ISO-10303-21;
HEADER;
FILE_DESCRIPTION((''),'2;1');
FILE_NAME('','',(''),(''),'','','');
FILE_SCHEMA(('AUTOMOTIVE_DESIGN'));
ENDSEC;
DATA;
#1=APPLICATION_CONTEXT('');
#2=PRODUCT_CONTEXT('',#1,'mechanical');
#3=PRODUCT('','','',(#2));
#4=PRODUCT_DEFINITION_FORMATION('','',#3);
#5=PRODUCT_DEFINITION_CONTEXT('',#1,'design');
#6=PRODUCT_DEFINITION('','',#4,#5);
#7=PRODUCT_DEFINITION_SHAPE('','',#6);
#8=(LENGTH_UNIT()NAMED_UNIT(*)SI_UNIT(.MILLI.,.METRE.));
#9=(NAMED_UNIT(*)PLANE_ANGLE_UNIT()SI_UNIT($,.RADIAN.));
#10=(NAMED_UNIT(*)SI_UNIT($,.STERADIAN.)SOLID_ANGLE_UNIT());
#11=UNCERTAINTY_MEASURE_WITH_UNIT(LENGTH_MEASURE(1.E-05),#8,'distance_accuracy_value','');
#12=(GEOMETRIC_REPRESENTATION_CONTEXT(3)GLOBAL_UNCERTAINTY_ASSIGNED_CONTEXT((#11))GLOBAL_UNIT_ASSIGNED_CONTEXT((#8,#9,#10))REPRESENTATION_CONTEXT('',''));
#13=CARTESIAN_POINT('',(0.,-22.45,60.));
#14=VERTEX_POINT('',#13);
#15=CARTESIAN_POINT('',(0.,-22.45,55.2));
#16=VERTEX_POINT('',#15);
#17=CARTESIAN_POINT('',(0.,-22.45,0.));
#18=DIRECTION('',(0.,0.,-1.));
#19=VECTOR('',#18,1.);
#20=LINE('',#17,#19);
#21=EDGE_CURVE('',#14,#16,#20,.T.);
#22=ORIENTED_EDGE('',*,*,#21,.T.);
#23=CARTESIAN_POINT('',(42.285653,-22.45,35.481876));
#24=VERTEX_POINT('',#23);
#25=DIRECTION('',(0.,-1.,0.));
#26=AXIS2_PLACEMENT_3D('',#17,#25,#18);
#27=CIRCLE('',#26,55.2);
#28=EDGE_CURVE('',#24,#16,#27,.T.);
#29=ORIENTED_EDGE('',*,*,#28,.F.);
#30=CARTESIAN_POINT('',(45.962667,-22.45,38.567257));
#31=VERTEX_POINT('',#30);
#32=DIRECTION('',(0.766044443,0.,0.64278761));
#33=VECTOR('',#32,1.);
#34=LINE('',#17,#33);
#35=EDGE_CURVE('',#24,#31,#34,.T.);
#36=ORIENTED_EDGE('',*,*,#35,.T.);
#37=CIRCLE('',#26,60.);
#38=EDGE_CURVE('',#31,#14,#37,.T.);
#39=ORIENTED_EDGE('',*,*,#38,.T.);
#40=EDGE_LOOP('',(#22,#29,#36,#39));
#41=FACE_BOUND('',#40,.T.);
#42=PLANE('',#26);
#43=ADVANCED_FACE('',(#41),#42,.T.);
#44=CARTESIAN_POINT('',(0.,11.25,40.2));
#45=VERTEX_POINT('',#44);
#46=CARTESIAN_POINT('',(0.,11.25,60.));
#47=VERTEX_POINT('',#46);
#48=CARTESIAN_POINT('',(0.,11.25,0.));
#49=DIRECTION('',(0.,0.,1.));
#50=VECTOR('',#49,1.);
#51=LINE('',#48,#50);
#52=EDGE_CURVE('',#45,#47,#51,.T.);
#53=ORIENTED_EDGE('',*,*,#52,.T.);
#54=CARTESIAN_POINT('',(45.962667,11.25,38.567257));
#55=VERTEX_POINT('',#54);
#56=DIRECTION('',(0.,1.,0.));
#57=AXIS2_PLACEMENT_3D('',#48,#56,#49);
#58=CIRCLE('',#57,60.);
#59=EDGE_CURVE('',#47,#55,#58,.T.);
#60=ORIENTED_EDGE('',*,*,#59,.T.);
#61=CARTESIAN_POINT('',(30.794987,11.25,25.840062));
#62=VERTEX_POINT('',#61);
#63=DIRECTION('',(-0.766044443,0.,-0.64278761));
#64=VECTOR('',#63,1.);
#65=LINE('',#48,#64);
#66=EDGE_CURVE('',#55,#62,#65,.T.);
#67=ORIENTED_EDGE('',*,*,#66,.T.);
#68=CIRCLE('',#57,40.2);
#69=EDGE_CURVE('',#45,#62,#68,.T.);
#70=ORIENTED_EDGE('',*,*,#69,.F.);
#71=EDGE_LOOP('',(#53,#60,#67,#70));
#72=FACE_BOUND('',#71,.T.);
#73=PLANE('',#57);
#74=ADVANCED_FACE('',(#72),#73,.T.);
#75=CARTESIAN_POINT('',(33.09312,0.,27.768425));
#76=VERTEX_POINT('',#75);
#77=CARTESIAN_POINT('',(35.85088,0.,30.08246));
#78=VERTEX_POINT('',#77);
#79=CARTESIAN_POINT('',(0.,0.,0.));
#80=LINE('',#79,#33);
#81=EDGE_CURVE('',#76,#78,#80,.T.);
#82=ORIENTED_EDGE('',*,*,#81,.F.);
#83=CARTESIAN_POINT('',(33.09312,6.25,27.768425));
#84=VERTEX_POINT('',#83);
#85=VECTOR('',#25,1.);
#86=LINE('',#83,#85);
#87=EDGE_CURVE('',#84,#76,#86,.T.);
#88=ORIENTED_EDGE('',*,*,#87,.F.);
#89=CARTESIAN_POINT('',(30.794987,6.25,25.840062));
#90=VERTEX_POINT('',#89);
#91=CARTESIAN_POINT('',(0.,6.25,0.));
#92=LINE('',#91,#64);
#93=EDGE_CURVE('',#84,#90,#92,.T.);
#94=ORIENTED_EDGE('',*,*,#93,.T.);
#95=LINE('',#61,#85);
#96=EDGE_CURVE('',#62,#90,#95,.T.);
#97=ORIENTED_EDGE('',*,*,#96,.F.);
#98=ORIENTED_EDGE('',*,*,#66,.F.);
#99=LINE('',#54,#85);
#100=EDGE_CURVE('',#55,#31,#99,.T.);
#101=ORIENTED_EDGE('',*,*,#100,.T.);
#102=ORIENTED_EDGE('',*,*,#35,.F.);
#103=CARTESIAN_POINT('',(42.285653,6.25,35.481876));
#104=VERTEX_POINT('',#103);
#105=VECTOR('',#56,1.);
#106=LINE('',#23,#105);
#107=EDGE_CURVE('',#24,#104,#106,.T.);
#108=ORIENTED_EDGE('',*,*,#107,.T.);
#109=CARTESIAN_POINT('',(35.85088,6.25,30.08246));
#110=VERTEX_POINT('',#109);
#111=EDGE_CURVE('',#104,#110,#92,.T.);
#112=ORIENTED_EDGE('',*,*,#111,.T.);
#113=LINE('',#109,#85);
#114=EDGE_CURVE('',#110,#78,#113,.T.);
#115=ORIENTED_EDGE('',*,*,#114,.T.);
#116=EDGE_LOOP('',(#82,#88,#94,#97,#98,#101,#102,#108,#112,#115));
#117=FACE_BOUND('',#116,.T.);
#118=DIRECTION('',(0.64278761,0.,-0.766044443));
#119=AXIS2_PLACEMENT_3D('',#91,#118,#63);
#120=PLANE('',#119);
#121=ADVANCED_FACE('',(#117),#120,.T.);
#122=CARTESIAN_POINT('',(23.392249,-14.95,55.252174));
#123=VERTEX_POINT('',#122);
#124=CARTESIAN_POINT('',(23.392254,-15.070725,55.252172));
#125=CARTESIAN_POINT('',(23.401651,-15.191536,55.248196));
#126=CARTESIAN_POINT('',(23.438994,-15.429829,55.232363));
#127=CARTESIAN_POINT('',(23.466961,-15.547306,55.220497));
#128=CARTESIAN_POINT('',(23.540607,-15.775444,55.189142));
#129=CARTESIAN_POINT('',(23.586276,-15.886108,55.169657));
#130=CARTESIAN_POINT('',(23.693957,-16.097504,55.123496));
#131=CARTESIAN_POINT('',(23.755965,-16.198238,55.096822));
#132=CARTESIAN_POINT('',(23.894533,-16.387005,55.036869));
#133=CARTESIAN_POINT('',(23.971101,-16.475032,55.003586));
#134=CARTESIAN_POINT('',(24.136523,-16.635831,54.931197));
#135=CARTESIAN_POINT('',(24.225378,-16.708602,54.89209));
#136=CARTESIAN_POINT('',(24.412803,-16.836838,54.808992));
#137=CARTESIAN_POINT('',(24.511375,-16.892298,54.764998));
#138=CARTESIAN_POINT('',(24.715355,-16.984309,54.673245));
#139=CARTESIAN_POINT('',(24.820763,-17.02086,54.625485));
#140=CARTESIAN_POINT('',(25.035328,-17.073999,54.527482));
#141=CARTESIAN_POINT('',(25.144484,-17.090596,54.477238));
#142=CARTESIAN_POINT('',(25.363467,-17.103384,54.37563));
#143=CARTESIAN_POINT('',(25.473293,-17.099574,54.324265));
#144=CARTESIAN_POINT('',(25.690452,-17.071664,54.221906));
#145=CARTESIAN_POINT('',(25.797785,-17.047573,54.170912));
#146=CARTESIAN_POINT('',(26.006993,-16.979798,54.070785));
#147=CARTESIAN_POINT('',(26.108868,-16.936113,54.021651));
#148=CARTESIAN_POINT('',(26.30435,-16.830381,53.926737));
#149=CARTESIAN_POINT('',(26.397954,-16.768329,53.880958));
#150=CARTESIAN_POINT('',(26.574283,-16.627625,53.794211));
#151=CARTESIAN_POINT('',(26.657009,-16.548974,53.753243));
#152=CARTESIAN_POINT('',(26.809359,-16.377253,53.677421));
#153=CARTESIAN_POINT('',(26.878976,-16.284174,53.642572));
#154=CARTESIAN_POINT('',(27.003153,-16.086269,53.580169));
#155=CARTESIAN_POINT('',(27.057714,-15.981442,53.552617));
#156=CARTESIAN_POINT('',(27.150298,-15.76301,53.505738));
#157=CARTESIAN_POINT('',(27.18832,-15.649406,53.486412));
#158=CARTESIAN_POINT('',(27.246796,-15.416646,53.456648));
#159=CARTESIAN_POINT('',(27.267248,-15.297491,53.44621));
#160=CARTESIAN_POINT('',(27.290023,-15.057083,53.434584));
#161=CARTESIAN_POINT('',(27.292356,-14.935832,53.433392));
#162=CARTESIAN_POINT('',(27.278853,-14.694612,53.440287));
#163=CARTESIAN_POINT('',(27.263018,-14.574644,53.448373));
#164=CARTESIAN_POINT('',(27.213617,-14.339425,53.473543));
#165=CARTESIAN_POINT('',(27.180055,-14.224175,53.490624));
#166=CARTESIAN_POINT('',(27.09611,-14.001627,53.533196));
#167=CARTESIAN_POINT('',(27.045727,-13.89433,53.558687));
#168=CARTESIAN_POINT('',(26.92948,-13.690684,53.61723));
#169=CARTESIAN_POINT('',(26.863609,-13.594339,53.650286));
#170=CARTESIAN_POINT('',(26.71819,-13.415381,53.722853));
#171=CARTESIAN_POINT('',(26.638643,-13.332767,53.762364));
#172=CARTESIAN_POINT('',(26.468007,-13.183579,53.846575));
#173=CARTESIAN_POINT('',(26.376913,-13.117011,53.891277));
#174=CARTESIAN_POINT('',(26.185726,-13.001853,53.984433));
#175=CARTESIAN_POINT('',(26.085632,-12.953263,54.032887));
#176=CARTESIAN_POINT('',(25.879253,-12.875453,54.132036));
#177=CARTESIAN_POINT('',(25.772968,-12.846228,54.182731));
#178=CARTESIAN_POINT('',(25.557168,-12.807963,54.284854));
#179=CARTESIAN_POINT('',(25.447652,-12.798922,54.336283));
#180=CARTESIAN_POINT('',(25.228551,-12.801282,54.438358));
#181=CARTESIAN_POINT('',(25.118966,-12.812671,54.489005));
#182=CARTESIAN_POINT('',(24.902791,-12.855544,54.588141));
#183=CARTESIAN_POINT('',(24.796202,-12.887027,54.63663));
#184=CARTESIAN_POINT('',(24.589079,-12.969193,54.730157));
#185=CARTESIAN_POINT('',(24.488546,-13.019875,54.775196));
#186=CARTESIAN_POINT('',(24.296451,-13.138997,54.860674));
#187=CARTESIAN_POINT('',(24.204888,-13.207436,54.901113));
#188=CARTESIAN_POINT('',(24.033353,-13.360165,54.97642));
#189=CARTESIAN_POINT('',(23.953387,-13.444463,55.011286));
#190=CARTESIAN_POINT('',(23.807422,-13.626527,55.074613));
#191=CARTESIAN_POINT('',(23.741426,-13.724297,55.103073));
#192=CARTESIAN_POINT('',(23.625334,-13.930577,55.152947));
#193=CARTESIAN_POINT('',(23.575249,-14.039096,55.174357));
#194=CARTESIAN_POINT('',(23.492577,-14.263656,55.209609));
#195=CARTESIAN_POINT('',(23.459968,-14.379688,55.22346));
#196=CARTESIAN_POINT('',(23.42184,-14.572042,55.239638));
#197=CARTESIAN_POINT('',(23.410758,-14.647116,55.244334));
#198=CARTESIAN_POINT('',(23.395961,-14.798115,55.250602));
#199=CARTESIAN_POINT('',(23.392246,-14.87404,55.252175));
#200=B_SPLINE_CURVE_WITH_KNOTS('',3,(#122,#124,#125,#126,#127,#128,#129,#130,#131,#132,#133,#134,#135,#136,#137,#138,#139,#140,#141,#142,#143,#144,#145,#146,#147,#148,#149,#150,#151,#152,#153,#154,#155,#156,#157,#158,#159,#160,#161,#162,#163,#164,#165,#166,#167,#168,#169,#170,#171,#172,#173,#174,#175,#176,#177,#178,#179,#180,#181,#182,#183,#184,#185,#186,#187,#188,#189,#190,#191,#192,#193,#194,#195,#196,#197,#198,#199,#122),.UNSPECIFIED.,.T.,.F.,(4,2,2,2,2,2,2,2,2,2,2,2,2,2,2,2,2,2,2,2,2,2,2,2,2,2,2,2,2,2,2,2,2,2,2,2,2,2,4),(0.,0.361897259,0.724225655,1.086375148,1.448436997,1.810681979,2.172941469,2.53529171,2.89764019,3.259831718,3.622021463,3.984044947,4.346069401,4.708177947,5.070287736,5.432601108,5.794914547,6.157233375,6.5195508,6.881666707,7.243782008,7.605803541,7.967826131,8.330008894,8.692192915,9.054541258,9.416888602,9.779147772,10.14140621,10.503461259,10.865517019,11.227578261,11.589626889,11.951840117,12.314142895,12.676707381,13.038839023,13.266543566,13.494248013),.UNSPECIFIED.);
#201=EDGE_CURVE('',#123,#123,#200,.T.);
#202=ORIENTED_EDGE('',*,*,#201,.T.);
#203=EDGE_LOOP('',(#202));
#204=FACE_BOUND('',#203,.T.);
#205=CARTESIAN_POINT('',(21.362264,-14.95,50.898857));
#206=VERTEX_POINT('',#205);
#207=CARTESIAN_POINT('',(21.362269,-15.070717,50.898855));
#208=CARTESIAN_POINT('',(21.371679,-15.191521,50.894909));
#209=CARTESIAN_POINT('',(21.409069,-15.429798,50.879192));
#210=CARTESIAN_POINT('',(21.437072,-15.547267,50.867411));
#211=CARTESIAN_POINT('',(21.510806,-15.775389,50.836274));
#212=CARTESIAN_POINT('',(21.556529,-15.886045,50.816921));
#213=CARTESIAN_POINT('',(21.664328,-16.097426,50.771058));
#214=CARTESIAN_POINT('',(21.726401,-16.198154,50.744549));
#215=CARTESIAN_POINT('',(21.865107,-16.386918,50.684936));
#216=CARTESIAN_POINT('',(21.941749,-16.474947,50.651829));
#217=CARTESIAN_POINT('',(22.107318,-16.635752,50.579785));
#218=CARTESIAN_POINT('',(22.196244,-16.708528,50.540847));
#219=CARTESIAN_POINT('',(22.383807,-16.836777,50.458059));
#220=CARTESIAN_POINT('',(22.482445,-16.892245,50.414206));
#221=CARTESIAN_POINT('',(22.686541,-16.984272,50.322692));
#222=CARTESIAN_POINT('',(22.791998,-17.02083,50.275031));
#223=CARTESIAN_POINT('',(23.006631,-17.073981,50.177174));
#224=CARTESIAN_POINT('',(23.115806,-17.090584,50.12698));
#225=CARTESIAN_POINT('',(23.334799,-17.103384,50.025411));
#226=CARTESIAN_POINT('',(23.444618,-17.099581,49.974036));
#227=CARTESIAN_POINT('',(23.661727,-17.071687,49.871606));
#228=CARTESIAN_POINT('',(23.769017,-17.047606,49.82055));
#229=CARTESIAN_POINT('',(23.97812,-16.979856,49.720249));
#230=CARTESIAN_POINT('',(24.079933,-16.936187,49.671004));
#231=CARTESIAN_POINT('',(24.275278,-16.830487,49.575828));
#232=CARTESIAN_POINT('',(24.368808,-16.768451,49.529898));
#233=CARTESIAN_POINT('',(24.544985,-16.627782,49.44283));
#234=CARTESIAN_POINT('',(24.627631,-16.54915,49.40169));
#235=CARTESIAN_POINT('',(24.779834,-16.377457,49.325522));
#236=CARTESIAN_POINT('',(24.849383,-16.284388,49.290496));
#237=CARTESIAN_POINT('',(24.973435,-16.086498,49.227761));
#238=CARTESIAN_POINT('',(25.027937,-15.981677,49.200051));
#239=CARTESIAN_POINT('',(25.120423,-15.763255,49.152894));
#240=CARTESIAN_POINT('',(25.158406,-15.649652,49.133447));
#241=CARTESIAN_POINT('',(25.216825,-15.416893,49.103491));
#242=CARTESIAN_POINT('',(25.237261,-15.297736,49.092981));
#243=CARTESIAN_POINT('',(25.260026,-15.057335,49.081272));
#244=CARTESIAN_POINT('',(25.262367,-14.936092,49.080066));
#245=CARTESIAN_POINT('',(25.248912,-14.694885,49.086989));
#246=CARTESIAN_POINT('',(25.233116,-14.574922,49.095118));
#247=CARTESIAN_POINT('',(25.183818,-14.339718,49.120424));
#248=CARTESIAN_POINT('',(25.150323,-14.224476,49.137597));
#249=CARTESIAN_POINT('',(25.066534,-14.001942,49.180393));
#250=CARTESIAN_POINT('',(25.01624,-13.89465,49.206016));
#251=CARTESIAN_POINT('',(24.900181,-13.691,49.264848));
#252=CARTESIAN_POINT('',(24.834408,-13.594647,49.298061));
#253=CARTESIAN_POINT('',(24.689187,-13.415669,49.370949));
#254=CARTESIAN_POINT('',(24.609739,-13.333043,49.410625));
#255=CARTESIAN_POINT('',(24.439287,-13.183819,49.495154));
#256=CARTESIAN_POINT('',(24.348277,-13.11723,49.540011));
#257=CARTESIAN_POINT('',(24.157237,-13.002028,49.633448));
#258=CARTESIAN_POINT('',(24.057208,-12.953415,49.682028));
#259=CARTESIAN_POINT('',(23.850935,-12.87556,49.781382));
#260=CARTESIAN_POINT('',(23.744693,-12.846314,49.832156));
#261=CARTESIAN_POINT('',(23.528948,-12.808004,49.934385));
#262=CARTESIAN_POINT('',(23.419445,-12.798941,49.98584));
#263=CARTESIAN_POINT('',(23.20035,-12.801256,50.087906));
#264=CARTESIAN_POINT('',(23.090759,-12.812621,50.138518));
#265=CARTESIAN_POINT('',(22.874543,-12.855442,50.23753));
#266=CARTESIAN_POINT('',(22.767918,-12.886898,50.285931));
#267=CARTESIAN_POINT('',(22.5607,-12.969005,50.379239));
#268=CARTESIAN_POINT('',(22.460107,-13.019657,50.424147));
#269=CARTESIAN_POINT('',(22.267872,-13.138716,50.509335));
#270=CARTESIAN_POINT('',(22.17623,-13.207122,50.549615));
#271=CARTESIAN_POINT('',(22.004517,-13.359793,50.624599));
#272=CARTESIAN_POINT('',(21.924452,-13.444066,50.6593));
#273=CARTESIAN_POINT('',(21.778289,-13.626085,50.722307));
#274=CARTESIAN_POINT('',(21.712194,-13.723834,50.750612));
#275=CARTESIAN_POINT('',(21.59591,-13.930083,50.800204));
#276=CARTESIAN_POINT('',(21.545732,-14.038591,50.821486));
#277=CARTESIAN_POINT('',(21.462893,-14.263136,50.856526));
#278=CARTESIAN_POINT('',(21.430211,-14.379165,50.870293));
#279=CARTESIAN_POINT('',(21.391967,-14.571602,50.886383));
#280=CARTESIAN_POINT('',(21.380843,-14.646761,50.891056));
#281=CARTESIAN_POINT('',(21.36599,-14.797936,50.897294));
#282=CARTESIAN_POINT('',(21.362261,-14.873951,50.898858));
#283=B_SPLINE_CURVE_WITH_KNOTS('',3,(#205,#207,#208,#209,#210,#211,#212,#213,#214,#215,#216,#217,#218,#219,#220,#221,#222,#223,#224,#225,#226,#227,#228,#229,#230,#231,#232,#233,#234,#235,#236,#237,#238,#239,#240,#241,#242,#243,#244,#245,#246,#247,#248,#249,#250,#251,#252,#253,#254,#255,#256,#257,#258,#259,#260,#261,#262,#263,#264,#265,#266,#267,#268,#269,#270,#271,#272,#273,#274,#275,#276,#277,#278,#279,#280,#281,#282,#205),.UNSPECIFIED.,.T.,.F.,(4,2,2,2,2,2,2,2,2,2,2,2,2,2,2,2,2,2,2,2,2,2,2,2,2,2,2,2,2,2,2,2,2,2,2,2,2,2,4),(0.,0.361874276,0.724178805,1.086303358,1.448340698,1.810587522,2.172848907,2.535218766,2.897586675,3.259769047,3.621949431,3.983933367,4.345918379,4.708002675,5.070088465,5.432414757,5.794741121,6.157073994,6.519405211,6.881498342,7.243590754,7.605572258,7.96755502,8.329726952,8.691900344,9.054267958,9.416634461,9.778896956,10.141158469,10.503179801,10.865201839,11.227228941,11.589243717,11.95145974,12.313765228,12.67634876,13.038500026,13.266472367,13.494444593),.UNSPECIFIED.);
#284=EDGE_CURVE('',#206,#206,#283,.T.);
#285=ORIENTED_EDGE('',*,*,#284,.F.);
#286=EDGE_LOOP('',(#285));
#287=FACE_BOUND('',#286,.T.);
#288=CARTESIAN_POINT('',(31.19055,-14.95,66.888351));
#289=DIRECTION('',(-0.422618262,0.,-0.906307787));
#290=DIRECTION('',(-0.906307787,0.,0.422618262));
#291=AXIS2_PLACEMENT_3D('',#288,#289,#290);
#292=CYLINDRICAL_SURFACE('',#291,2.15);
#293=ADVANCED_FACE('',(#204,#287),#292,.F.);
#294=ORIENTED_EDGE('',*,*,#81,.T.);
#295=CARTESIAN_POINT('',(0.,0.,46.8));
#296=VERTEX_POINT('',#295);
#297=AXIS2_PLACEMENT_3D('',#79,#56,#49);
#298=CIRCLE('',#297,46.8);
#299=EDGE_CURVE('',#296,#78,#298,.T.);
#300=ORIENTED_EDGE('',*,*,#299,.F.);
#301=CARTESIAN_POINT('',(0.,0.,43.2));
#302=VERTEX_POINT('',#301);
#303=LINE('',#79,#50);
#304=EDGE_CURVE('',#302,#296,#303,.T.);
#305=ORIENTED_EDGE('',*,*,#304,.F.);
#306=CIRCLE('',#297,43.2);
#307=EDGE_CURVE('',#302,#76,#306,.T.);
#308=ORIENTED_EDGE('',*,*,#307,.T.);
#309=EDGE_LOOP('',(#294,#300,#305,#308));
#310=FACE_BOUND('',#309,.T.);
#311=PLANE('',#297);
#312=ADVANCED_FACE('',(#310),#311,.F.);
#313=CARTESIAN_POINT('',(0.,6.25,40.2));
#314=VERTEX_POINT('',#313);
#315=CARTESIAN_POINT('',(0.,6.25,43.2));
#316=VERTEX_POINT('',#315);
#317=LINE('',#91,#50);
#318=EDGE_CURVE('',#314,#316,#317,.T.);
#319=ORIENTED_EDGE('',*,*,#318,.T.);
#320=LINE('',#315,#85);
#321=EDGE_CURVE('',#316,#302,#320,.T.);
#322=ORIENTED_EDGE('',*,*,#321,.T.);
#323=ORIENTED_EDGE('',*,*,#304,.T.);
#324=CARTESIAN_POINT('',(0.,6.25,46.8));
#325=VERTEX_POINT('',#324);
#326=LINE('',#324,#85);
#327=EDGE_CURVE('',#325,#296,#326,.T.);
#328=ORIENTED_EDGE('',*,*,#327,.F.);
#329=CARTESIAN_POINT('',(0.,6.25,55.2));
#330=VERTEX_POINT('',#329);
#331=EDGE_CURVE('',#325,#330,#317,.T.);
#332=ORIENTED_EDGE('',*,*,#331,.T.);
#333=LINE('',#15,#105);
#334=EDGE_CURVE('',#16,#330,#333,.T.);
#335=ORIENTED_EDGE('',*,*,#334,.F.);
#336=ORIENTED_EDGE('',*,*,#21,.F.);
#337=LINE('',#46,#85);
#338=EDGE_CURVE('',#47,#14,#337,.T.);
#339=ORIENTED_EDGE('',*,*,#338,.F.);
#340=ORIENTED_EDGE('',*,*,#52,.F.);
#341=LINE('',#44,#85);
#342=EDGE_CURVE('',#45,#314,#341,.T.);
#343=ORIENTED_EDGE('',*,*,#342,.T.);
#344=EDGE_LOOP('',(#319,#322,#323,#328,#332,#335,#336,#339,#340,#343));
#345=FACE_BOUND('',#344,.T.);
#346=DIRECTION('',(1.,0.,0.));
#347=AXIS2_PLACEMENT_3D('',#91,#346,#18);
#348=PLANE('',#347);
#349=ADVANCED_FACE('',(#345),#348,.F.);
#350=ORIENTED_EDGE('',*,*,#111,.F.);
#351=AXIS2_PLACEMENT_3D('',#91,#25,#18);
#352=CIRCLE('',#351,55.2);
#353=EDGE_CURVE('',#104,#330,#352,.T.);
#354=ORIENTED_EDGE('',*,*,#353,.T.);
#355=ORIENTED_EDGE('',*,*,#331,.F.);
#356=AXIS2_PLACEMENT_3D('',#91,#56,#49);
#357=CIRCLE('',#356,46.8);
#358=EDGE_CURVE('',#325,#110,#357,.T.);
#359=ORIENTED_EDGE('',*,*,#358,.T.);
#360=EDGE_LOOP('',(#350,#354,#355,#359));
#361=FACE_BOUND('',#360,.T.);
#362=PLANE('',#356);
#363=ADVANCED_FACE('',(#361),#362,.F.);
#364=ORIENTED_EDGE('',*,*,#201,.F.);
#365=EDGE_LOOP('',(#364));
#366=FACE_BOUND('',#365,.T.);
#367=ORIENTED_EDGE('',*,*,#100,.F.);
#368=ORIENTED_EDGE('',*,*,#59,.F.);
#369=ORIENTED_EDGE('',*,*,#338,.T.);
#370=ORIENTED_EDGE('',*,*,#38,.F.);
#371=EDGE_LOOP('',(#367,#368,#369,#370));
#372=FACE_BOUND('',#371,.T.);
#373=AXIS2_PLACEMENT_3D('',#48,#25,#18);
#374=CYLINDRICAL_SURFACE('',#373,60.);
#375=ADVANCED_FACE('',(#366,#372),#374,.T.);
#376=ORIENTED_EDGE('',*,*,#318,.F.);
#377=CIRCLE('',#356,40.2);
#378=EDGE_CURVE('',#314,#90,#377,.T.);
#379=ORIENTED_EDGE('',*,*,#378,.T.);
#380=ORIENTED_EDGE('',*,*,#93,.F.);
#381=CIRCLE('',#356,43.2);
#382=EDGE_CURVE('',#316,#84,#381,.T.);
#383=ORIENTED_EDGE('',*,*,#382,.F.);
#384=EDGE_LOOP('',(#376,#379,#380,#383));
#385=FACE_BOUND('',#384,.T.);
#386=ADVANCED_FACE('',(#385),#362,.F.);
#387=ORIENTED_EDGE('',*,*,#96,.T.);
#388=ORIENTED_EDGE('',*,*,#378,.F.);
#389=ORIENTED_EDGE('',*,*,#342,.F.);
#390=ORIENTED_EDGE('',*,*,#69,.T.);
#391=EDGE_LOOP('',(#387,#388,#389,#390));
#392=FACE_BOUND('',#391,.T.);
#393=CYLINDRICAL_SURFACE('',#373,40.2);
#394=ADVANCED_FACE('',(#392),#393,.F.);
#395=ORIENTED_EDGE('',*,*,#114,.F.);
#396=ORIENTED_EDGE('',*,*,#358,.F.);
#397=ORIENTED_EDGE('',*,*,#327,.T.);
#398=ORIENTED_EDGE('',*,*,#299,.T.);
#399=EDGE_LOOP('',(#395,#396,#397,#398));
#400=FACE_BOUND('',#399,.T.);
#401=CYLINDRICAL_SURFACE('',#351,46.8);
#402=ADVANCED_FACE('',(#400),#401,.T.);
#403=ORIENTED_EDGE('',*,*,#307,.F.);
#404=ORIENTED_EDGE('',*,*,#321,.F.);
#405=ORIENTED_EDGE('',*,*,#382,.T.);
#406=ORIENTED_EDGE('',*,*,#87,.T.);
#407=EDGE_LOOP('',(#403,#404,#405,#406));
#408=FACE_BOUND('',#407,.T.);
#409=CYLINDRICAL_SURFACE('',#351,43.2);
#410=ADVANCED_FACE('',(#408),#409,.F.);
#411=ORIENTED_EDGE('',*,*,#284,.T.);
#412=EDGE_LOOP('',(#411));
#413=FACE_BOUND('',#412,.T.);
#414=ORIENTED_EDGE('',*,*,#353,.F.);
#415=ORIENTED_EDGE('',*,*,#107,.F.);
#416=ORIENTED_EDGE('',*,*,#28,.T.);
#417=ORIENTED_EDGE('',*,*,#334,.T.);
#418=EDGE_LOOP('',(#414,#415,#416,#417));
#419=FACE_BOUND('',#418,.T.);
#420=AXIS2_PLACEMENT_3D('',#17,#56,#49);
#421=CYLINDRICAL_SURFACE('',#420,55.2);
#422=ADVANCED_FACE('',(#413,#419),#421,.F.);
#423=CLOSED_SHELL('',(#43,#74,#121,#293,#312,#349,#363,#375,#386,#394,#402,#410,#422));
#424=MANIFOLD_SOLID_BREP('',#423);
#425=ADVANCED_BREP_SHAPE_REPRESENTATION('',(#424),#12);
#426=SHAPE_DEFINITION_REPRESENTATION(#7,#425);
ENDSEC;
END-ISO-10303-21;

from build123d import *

# Parameters (mm, degrees)
BOSS_EXTRUDE1_DEPTH   = 6.25
BOSS_EXTRUDE2_DEPTH   = 5
BOSS_EXTRUDE3_START   = 28.7
BOSS_EXTRUDE3_DEPTH   = 28.7
SKETCH4_R             = 2.15
M4_THROUGH_HOLE_DEPTH = 47.541927843


with BuildPart() as part:
    # Sketch1 → Boss-Extrude1 (new body)
    with BuildSketch(Plane(origin=(0, 0, 0), x_dir=(1, 0, 0), z_dir=(0, 1, 0))):
        with BuildLine():
            ThreePointArc((33.093119943, -27.768424738), (18.257108907, -39.1524964), (0, -43.2))
            Line((0, -43.2), (0, -46.8))
            ThreePointArc((0, -46.8), (19.778534649, -42.415204433), (35.850879938, -30.082460133))
            Line((35.850879938, -30.082460133), (33.093119943, -27.768424738))
        make_face()
    extrude(amount=BOSS_EXTRUDE1_DEPTH)

    # Sketch2 → Boss-Extrude2 (add)
    with BuildSketch(Plane(origin=(0, 6.25, 0), x_dir=(1, 0, 0), z_dir=(0, 1, 0))):
        with BuildLine():
            ThreePointArc((35.850879938, -30.082460133), (19.778534649, -42.415204433), (0, -46.8))
            Line((0, -46.8), (0, -60))
            ThreePointArc((0, -60), (25.357095704, -54.378467222), (45.962666587, -38.567256581))
            Line((45.962666587, -38.567256581), (35.850879938, -30.082460133))
        make_face()
        with BuildLine():
            Line((35.850879938, -30.082460133), (33.093119943, -27.768424738))
            ThreePointArc((33.093119943, -27.768424738), (18.257108907, -39.1524964), (0, -43.2))
            Line((0, -43.2), (0, -46.8))
            ThreePointArc((0, -46.8), (19.778534649, -42.415204433), (35.850879938, -30.082460133))
        make_face()
        with BuildLine():
            ThreePointArc((30.794986613, -25.840061909), (16.989254122, -36.433573039), (0, -40.2))
            Line((0, -40.2), (0, -43.2))
            ThreePointArc((0, -43.2), (18.257108907, -39.1524964), (33.093119943, -27.768424738))
            Line((33.093119943, -27.768424738), (30.794986613, -25.840061909))
        make_face()
    extrude(amount=BOSS_EXTRUDE2_DEPTH)

    # Sketch3 → Boss-Extrude3 (add)
    with BuildSketch(Plane(origin=(0, 6.25, 0), x_dir=(-1, 0, 0), z_dir=(0, -1, 0)).offset(BOSS_EXTRUDE3_START)):
        with BuildLine():
            ThreePointArc((0, -55.2), (-23.328528048, -50.028189844), (-42.28565326, -35.481876055))
            Line((-42.28565326, -35.481876055), (-45.962666587, -38.567256581))
            ThreePointArc((-45.962666587, -38.567256581), (-25.357095704, -54.378467222), (0, -60))
            Line((0, -60), (0, -55.2))
        make_face()
    extrude(amount=-BOSS_EXTRUDE3_DEPTH)

    # Sketch4 → M4-through hole (cut, through all)
    with BuildSketch(Plane(origin=(15.397493307, 0, 33.020030955), x_dir=(0.9063077870366493, 0, -0.42261826174070105), z_dir=(0.42261826174070105, 0, 0.9063077870366493))):
        with Locations(Location((0, -14.95, 0), (0, 0, 180))):
            Circle(SKETCH4_R)
    extrude(amount=M4_THROUGH_HOLE_DEPTH, mode=Mode.SUBTRACT)


solid = part.part
